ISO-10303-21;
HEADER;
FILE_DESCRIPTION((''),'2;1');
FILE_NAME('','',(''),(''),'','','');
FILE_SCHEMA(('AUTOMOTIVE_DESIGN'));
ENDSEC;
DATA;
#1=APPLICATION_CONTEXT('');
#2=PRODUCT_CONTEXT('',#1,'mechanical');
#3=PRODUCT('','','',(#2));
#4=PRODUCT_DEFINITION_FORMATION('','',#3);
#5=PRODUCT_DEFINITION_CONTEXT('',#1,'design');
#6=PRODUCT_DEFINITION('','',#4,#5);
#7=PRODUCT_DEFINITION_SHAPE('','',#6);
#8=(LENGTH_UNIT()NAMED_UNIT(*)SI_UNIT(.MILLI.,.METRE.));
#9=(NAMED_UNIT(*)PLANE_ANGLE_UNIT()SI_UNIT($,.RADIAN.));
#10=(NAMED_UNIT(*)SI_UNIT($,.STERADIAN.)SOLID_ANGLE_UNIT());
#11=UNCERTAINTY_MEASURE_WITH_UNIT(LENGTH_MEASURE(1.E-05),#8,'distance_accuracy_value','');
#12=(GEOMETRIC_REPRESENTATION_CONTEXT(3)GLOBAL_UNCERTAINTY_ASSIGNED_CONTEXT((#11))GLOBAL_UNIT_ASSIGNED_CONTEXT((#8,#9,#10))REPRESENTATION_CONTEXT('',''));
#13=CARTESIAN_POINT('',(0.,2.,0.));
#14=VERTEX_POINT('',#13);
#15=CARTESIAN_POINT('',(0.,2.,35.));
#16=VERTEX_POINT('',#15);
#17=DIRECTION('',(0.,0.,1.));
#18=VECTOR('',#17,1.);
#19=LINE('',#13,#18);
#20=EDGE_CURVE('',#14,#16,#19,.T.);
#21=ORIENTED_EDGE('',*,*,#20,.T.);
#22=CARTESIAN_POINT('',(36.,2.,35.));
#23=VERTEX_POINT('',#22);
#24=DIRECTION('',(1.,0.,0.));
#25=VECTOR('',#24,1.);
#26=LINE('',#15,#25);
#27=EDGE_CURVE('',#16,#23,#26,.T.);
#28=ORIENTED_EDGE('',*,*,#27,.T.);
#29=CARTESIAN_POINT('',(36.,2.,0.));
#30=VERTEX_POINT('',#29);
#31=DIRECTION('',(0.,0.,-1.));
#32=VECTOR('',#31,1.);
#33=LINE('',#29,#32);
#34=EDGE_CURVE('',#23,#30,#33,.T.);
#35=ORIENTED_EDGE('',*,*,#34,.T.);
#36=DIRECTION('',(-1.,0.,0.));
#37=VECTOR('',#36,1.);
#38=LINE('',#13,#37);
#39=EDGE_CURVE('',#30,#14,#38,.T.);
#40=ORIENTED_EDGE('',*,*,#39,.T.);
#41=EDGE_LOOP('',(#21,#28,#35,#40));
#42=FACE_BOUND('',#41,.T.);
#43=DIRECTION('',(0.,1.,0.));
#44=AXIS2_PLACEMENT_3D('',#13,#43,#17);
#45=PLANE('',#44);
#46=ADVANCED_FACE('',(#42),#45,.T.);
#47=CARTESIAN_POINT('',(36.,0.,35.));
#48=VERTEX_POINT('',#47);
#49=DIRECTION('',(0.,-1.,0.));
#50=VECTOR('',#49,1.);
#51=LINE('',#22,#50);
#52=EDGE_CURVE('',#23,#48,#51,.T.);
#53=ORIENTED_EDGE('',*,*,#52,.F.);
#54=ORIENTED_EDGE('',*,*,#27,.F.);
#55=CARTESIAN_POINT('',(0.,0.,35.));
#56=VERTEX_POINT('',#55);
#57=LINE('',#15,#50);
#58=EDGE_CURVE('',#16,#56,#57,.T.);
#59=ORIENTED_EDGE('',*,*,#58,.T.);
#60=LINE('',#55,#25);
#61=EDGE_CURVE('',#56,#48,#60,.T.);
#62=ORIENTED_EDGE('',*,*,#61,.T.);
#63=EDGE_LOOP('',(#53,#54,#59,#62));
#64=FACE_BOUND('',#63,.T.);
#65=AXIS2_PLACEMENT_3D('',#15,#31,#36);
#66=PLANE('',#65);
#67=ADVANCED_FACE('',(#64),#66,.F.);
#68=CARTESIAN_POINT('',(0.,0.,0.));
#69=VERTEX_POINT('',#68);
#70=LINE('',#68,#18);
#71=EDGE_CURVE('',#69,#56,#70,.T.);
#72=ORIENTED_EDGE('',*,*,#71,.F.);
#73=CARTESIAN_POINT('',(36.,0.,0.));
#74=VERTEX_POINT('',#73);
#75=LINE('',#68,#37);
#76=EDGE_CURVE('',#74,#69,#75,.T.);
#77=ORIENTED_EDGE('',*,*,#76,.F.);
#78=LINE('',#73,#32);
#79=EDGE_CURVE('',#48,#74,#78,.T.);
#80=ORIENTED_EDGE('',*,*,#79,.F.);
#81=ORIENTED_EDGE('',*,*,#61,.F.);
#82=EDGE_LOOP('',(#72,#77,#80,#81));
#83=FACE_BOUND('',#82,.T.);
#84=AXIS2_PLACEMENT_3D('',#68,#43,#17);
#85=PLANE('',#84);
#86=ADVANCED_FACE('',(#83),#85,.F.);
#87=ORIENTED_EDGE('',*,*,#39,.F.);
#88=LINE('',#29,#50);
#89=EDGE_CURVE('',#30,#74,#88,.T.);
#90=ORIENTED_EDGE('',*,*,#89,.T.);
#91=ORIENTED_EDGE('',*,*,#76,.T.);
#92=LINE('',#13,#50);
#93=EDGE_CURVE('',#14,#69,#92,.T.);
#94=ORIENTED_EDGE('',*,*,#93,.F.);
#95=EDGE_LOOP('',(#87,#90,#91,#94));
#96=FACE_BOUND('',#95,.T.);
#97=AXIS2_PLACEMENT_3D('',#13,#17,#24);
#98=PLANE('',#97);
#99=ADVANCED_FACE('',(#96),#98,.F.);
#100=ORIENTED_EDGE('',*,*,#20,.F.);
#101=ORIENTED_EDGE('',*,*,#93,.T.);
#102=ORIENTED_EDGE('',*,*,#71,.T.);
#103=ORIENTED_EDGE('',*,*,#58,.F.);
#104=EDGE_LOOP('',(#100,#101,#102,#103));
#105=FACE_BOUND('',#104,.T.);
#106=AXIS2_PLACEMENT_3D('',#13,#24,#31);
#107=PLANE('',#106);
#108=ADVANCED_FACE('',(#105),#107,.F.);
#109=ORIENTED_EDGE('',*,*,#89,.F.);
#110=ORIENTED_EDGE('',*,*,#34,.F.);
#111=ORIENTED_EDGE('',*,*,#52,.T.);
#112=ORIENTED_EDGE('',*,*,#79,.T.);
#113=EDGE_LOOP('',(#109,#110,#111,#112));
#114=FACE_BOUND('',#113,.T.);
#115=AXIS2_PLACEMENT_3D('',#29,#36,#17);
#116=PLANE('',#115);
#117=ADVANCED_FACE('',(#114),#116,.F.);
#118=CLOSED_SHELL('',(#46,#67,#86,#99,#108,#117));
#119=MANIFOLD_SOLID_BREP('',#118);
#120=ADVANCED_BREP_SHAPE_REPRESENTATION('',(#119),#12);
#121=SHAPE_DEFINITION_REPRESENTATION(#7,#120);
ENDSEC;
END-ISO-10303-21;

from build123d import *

# Parameters (mm, degrees)
SKETCH1_W           = 36
SKETCH1_H           = 35
BOSS_EXTRUDE1_DEPTH = 2


with BuildPart() as part:
    # Sketch1 → Boss-Extrude1 (new body)
    with BuildSketch(Plane(origin=(0, 0, 0), x_dir=(1, 0, 0), z_dir=(0, 1, 0))):
        with Locations((18, -17.5)):
            Rectangle(SKETCH1_W, SKETCH1_H)
    extrude(amount=BOSS_EXTRUDE1_DEPTH)


solid = part.part
